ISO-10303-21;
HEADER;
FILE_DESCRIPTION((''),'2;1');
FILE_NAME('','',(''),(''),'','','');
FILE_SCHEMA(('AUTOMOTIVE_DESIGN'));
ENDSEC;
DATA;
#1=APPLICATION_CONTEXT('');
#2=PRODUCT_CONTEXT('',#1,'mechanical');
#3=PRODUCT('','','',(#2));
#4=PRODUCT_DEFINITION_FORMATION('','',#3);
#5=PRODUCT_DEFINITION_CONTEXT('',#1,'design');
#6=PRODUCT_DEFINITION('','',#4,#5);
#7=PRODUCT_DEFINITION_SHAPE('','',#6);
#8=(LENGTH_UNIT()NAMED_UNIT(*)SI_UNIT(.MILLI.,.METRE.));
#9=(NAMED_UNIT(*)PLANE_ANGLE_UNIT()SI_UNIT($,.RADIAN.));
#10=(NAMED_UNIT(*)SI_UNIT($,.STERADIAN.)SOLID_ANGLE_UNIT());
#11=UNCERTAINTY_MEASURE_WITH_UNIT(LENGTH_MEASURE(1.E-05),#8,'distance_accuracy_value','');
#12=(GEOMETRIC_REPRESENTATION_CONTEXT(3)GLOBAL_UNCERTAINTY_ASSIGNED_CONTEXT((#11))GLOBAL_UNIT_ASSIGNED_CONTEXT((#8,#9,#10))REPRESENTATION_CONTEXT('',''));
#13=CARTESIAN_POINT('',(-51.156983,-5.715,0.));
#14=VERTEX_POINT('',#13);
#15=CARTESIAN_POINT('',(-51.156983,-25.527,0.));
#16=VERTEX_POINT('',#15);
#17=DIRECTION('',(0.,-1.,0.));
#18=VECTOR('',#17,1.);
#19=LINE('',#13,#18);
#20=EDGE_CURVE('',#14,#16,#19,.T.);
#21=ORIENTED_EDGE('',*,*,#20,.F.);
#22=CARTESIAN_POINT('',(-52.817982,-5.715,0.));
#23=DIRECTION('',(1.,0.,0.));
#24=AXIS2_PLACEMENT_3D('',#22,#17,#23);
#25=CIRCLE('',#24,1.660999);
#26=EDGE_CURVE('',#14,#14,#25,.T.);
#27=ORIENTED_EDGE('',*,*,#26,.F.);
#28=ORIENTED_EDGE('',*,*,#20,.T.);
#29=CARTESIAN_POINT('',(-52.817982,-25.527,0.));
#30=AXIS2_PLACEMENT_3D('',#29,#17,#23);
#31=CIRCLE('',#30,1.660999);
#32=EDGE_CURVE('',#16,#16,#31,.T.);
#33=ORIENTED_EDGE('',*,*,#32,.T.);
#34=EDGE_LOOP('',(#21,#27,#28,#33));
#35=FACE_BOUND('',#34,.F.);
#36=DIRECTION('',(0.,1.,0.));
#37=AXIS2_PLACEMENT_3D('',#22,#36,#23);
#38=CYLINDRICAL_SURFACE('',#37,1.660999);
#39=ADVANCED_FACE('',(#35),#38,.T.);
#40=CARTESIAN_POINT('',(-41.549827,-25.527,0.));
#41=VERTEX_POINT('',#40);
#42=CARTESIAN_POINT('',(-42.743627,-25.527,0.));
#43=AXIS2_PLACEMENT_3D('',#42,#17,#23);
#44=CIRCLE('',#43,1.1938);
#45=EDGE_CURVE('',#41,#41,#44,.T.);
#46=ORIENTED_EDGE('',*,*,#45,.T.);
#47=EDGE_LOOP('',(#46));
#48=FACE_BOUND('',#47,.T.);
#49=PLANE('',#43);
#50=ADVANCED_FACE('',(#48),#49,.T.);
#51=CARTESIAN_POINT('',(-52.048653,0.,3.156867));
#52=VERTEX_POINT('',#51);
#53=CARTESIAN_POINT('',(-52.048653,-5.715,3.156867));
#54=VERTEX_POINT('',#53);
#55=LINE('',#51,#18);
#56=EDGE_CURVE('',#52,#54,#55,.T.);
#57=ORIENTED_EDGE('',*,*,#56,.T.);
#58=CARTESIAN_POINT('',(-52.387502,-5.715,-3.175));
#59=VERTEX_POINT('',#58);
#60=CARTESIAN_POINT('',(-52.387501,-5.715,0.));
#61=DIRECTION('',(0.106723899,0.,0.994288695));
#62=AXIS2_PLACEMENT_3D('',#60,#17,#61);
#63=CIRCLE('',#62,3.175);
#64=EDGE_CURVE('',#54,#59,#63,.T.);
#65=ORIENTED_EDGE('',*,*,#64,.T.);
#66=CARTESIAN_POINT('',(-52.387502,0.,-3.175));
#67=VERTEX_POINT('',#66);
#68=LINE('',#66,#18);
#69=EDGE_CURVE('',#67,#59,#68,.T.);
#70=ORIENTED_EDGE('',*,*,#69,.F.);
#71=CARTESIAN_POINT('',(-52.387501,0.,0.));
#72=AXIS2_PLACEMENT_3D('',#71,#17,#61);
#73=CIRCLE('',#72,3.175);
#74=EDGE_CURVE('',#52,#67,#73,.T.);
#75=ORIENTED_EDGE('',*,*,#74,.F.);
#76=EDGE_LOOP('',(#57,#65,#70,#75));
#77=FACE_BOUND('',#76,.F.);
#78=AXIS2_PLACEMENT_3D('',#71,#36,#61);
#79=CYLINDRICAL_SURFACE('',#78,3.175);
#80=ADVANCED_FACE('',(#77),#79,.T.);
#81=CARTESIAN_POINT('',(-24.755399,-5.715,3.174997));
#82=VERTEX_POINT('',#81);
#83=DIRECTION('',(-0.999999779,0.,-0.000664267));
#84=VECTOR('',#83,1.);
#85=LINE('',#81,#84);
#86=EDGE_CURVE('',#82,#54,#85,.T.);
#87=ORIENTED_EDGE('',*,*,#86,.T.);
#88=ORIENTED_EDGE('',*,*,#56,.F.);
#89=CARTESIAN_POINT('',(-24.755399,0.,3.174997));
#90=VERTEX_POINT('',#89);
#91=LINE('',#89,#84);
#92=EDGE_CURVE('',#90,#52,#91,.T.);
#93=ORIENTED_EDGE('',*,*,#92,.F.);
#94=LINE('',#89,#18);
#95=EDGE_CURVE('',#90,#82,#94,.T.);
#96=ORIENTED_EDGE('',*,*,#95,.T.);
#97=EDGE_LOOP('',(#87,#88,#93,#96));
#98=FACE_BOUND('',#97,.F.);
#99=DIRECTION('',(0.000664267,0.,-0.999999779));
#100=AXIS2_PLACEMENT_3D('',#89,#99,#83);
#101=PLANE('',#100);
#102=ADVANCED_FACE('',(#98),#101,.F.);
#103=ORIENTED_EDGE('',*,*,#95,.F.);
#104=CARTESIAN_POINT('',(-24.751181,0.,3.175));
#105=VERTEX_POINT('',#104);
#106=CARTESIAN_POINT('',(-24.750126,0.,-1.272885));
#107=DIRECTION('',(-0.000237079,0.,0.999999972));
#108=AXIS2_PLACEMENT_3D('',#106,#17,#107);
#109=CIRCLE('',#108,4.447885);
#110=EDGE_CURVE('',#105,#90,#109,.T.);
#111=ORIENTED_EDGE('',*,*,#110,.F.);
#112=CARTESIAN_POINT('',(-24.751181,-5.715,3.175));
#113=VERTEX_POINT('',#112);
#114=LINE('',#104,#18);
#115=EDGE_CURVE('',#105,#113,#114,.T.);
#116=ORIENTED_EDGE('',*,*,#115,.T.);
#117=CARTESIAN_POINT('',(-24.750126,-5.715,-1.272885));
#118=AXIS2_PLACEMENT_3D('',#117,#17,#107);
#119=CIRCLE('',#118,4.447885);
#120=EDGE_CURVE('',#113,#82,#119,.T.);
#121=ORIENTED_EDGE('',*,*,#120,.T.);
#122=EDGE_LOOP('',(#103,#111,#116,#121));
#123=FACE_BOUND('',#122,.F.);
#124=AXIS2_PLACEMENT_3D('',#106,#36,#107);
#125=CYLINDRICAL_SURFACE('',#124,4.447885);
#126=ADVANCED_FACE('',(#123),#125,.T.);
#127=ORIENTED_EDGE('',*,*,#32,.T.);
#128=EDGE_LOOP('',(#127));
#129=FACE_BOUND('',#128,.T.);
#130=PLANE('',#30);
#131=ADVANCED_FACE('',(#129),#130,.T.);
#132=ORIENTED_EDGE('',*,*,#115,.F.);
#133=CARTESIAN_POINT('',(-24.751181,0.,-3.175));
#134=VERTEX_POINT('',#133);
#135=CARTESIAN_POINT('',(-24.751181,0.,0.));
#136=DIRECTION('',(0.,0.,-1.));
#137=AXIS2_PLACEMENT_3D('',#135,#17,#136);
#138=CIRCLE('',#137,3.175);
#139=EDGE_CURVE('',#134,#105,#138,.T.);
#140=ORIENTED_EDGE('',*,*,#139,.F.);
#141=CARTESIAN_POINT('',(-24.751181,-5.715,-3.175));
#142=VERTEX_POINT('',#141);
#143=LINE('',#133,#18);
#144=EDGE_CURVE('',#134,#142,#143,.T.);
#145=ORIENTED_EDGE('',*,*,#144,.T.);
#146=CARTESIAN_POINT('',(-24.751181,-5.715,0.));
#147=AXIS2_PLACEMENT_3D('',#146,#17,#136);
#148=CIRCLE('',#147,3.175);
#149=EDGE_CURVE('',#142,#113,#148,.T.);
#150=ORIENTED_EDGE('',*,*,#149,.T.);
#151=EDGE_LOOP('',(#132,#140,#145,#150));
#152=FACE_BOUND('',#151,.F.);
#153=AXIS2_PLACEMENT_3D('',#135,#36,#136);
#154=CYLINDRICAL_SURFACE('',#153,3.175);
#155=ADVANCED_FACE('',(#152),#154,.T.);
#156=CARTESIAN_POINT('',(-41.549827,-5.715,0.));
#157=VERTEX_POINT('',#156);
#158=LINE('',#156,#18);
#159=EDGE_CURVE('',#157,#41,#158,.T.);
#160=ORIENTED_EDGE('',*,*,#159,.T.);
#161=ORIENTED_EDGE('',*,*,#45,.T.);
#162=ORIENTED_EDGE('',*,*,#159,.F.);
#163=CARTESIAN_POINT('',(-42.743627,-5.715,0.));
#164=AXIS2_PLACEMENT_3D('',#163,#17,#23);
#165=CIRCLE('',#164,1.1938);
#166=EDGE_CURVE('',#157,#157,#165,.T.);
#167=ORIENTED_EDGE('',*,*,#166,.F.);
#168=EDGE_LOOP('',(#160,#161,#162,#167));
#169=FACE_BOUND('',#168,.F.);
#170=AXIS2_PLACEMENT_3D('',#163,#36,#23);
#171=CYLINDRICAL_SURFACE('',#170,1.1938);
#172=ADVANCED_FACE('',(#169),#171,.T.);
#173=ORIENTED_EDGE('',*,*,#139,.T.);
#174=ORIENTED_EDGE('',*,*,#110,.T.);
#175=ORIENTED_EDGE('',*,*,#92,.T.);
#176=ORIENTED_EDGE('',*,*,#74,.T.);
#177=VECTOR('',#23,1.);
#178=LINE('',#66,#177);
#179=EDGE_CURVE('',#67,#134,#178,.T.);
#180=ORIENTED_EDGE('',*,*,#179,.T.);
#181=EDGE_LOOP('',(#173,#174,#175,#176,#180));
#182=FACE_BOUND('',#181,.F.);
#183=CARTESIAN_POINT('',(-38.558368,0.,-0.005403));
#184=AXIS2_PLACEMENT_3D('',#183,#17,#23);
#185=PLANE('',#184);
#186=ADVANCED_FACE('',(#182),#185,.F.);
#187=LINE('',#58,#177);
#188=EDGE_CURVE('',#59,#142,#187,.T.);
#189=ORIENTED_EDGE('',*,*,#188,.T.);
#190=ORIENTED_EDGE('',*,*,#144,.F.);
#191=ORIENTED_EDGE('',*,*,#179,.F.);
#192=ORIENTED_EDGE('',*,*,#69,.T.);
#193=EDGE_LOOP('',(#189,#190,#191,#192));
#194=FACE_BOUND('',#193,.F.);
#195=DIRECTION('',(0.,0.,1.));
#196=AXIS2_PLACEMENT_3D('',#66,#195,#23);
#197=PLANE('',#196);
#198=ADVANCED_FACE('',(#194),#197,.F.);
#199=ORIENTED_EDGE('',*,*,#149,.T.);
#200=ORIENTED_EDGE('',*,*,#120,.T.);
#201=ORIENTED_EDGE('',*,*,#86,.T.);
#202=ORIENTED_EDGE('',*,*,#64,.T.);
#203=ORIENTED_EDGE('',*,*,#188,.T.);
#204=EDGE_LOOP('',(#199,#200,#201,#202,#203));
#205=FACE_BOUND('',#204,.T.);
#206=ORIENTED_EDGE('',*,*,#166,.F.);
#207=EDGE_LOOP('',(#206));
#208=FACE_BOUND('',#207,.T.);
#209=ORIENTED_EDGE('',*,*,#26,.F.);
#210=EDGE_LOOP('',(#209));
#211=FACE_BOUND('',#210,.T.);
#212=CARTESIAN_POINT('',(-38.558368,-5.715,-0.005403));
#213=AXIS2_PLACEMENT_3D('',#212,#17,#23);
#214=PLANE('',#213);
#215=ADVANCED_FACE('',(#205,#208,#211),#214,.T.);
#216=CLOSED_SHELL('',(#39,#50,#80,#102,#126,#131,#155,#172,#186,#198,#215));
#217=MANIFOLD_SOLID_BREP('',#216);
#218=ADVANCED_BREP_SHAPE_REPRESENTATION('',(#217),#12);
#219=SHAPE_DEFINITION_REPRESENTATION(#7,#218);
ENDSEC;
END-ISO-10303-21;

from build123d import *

# Parameters (mm, degrees)
F1_DEPTH = 5.715
F2_R     = 1.660999
F2_R_2   = 1.1938
F3_DEPTH = 19.812


with BuildPart() as f1:
    # F0 (on Front) → F1 (new body)
    with BuildSketch(Plane.XZ):
        with BuildLine():
            Line((-24.755399, 3.174997), (-52.048653, 3.156867))
            ThreePointArc((-52.048653, 3.156867), (-55.557965, 0.169667), (-52.387502, -3.175))
            Line((-52.387502, -3.175), (-24.751181, -3.175))
            ThreePointArc((-24.751181, -3.175), (-21.576181, 0), (-24.751181, 3.175))
            ThreePointArc((-24.751181, 3.175), (-24.75329, 3.174999), (-24.755399, 3.174997))
        make_face()
    extrude(amount=F1_DEPTH)

    # F2 (on face) → F3 (join)
    with BuildSketch(Plane.XZ.offset(5.715)):
        with Locations((-52.817982, 0)):
            Circle(F2_R)
        with Locations((-42.743627, 0)):
            Circle(F2_R_2)
    extrude(amount=F3_DEPTH)


solid = f1.part
